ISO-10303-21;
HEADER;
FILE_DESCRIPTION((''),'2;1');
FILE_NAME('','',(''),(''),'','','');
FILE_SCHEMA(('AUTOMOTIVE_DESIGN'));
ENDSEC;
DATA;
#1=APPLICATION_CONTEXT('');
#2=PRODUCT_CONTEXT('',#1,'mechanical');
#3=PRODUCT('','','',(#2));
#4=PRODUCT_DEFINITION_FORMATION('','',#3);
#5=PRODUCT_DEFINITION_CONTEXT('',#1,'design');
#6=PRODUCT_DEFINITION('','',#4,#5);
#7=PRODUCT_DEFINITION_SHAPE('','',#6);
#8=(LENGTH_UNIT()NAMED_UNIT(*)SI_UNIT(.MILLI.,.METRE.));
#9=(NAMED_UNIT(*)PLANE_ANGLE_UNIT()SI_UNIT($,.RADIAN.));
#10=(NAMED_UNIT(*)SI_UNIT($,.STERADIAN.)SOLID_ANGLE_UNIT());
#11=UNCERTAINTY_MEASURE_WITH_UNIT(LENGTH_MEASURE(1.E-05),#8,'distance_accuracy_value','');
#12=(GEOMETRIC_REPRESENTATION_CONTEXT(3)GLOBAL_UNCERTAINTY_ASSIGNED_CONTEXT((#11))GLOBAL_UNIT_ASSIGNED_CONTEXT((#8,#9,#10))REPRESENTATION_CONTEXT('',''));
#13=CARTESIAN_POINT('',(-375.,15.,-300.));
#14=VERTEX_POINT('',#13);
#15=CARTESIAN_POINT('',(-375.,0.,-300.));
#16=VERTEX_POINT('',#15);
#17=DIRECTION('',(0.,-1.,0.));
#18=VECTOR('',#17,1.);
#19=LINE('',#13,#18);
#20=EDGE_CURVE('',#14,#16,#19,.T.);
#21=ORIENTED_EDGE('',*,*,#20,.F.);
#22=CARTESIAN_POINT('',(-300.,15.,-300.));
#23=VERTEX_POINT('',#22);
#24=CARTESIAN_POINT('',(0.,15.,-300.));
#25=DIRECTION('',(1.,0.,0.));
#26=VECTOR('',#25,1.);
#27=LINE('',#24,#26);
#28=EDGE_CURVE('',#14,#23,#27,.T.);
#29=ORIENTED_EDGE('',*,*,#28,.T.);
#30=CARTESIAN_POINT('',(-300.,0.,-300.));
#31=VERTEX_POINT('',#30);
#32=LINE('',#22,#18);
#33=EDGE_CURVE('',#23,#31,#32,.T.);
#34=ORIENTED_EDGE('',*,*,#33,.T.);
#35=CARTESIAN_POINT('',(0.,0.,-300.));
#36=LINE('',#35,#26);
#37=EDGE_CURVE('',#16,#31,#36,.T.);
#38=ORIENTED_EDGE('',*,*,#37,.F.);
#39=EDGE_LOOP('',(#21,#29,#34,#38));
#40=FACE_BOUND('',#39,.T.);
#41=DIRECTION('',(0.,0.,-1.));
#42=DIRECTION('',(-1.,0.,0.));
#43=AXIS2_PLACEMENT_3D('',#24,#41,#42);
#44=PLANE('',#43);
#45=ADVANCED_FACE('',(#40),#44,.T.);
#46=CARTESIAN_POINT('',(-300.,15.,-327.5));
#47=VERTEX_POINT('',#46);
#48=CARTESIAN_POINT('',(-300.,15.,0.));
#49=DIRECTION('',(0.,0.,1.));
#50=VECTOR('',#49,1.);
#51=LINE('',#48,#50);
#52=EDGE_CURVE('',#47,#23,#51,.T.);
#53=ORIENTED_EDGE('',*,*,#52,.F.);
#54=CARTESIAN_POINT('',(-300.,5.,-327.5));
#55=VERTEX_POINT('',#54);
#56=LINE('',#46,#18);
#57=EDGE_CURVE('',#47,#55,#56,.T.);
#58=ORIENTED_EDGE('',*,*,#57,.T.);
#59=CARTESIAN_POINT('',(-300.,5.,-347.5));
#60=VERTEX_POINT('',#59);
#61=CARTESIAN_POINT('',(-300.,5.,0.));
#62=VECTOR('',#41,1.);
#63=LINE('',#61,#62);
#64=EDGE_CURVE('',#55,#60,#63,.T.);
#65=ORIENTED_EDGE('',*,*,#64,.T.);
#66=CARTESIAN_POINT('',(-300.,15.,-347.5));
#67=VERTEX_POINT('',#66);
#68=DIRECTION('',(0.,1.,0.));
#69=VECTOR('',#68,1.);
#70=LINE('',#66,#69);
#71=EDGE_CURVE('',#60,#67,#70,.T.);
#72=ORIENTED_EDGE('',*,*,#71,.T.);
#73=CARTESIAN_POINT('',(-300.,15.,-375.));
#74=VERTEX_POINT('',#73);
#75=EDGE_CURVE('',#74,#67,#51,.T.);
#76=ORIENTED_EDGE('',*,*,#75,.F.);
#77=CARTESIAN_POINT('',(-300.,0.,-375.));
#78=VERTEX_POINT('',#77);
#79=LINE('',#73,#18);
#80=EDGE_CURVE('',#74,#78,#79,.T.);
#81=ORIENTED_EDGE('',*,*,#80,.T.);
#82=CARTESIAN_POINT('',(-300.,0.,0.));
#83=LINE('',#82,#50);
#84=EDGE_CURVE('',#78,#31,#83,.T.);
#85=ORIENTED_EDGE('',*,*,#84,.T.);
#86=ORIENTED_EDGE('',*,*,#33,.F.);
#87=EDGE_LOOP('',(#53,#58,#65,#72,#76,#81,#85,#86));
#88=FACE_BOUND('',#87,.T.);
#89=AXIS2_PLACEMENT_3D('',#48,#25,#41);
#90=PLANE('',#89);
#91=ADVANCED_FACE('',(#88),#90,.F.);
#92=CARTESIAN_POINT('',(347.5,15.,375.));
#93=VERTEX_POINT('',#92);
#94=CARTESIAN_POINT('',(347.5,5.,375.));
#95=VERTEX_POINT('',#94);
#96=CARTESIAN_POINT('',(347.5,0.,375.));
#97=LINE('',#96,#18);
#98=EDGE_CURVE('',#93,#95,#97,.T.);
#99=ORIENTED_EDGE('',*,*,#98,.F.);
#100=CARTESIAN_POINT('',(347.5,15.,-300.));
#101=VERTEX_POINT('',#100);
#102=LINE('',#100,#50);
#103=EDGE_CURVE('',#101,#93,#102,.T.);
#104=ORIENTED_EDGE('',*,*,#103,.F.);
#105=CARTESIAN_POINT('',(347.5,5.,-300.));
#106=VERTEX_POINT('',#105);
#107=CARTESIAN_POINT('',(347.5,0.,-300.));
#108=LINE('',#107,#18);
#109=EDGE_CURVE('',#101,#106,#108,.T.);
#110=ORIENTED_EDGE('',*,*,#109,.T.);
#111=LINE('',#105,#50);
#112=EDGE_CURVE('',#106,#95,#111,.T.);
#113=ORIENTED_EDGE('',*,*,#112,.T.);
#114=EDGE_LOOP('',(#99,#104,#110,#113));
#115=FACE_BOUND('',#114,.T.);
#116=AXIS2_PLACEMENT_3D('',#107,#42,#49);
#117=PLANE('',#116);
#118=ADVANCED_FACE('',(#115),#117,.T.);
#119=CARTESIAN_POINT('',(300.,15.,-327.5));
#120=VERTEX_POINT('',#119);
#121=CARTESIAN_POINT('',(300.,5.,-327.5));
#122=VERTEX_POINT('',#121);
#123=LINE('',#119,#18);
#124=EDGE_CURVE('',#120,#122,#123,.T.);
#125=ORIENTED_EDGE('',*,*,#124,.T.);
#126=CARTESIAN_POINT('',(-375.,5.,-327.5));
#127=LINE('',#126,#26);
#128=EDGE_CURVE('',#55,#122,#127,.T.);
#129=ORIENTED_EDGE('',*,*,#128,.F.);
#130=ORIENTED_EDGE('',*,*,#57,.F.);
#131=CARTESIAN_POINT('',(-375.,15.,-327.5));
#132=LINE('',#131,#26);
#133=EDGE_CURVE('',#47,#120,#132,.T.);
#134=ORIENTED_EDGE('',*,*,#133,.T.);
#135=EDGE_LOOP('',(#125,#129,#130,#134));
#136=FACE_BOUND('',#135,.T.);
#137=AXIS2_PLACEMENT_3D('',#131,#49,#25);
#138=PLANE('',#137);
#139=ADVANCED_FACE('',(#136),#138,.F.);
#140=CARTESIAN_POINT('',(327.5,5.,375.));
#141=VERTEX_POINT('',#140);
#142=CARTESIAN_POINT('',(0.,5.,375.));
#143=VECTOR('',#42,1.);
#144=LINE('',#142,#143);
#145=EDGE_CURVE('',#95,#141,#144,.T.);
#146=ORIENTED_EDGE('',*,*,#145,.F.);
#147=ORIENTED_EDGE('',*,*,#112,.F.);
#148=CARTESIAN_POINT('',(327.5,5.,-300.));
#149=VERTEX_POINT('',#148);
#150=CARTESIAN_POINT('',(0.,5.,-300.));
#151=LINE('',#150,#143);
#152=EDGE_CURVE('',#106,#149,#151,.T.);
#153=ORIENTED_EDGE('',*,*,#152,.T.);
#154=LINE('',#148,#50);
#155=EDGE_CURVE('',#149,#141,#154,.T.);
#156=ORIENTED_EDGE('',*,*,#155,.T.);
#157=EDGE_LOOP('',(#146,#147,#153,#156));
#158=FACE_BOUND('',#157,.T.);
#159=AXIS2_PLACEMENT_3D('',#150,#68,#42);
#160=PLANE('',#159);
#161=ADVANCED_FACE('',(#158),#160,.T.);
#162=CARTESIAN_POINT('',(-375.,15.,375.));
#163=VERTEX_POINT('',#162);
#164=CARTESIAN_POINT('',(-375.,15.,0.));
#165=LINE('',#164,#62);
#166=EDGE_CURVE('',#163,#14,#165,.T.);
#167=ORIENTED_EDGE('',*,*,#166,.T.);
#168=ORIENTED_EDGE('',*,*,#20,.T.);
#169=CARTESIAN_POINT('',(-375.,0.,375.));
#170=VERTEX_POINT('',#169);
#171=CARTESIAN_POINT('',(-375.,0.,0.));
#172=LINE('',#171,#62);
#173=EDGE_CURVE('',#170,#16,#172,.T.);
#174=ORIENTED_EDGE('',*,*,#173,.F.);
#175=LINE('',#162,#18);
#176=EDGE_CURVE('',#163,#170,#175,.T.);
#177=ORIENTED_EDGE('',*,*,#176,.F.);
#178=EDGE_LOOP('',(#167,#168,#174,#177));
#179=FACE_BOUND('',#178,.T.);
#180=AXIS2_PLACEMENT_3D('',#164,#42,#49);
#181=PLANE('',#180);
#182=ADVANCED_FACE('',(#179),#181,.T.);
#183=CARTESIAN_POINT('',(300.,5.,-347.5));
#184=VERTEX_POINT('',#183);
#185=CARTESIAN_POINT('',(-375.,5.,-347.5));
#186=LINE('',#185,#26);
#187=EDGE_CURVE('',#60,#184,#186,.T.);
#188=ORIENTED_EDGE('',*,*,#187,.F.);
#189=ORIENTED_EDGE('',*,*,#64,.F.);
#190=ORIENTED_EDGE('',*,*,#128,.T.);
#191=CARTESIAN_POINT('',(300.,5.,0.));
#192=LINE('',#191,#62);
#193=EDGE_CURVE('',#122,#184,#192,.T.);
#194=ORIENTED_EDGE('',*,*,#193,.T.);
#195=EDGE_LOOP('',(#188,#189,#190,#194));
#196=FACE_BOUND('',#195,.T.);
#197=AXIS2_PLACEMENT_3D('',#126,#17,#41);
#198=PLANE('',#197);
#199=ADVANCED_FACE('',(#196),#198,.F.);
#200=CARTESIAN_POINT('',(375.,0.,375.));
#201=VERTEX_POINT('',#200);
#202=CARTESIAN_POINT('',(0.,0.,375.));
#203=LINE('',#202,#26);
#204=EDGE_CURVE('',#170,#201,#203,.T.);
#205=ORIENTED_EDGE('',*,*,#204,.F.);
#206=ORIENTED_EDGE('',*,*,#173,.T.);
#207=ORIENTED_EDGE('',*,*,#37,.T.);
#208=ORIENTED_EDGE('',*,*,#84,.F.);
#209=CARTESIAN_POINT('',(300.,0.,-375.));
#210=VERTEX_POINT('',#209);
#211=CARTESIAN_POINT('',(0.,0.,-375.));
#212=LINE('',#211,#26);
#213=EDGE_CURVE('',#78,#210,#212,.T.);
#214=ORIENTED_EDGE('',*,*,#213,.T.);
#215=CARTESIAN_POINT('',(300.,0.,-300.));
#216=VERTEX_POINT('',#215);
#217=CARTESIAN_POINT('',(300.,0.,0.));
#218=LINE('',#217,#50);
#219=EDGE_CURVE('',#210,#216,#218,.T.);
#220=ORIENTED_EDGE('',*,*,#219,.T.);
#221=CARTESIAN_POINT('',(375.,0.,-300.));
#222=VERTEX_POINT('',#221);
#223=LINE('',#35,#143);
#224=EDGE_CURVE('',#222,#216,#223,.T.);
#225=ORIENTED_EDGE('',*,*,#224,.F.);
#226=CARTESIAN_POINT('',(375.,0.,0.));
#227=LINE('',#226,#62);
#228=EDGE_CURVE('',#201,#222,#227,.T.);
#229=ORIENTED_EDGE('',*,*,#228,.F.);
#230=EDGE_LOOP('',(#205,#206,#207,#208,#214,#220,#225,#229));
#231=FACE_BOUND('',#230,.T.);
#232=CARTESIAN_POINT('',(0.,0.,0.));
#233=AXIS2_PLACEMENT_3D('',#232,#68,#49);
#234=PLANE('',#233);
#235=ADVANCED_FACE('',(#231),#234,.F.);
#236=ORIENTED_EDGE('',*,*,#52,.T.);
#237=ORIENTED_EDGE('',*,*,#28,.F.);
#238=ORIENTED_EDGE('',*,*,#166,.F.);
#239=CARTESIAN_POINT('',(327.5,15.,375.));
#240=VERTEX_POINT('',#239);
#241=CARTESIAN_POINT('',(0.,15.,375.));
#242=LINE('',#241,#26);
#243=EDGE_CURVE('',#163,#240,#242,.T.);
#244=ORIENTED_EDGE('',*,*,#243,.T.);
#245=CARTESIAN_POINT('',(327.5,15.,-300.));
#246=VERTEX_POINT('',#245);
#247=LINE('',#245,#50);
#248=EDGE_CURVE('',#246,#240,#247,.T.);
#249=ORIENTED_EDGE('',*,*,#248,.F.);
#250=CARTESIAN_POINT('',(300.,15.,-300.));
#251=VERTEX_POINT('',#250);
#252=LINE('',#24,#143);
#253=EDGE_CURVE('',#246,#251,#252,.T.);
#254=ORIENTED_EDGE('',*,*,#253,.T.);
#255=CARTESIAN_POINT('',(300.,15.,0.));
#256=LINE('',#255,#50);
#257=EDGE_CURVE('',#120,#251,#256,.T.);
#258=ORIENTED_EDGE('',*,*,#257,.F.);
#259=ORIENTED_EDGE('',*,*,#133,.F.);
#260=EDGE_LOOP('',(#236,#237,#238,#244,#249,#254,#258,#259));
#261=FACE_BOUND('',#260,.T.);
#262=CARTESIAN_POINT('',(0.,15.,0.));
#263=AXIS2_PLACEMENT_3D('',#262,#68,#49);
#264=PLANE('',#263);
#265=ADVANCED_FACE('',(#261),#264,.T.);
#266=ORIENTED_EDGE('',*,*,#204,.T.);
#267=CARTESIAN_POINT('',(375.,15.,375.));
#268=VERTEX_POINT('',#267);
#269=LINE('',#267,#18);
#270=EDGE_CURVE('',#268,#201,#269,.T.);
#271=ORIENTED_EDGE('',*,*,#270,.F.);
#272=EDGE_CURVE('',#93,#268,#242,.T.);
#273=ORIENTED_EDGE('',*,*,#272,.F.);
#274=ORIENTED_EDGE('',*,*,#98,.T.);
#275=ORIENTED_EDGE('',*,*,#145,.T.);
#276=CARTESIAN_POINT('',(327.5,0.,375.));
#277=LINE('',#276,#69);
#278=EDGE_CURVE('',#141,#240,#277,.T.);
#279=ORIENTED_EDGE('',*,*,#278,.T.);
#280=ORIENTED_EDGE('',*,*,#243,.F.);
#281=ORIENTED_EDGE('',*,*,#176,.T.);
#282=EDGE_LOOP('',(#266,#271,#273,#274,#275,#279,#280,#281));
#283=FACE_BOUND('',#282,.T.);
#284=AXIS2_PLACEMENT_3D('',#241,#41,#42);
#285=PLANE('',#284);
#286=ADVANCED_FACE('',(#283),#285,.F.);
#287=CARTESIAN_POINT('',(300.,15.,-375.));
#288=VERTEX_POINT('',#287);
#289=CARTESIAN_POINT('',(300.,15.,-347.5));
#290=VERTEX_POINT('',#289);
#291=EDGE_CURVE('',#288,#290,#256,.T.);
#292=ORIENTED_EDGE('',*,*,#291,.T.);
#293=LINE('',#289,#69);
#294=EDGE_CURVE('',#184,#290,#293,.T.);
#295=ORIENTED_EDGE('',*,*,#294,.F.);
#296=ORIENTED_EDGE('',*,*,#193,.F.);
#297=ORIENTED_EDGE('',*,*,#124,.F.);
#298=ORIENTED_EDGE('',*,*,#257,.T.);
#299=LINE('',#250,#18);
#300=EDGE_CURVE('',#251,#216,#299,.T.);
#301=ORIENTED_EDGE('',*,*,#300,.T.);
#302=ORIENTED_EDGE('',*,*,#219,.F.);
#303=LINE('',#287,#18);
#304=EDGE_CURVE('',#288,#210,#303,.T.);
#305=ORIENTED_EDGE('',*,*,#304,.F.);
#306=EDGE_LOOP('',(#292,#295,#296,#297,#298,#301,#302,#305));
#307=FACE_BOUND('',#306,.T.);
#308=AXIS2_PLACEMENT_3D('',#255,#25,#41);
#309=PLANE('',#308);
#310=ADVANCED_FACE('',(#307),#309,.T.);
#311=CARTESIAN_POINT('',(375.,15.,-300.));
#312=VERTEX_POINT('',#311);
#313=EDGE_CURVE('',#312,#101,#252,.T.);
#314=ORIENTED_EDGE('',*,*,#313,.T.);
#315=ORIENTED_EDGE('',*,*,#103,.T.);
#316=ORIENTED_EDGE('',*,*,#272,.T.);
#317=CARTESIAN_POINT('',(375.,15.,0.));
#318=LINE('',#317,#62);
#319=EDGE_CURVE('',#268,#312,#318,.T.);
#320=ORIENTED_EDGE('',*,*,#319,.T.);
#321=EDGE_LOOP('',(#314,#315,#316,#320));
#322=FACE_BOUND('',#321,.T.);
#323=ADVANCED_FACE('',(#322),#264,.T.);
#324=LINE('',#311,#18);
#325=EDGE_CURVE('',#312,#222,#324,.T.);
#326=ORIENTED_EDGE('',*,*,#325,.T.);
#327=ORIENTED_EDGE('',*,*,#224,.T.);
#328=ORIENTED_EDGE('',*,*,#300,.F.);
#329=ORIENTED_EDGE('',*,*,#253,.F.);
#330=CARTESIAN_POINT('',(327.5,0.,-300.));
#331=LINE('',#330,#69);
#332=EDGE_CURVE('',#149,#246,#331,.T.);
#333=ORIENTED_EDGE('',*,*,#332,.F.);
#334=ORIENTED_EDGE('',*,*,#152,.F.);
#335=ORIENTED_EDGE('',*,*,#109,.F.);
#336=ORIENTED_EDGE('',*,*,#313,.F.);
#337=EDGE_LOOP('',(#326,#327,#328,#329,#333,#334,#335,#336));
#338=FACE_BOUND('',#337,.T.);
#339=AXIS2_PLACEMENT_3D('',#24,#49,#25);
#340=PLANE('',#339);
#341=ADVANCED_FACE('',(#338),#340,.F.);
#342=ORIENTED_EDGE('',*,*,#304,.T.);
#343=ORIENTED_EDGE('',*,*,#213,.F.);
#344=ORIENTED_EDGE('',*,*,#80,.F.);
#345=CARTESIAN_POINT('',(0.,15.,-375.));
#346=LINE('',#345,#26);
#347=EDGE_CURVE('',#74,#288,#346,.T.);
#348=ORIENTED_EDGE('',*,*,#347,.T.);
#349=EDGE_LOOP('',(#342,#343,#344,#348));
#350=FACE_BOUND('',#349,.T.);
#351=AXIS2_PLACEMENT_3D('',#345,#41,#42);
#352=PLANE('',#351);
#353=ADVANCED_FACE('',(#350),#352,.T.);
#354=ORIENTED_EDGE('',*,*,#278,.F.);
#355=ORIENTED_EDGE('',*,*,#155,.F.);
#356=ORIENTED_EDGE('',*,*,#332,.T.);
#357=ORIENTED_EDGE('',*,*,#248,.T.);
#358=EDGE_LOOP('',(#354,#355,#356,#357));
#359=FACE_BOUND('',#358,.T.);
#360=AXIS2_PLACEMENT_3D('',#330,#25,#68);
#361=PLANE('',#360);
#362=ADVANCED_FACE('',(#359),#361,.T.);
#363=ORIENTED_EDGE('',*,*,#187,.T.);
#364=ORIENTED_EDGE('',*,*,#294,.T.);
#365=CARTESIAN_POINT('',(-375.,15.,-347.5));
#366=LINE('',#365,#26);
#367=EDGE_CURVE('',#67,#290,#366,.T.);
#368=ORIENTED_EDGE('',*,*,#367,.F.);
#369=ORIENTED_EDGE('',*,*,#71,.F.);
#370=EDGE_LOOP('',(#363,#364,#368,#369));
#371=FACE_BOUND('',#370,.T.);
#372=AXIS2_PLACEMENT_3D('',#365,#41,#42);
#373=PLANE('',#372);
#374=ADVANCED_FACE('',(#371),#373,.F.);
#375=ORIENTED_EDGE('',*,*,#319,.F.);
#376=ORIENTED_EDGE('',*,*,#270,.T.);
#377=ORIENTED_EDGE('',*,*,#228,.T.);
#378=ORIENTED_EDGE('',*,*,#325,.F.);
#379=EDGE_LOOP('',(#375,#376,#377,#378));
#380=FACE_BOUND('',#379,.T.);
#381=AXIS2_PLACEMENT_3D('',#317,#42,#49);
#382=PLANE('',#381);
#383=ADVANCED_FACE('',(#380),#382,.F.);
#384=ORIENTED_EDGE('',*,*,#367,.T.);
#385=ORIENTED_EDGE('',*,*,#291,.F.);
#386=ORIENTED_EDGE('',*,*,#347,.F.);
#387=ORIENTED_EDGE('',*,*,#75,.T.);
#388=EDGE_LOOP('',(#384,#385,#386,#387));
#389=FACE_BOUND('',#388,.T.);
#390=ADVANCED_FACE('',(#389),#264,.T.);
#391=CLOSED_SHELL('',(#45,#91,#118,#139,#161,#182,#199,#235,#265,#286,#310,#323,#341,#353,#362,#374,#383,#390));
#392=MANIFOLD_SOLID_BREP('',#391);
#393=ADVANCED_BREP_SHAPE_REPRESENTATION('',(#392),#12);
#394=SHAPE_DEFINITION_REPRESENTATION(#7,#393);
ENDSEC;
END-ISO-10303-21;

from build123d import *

# Parameters (mm, degrees)
BOSS_EXTRUDE1_DEPTH = 15
SKETCH3_W           = 20
SKETCH3_H           = 10
CUT_EXTRUDE1_DEPTH  = 675
SKETCH4_W           = 20
SKETCH4_H           = 10
CUT_EXTRUDE2_DEPTH  = 751


with BuildPart() as part:
    # Sketch2 → Boss-Extrude1 (new body)
    with BuildSketch(Plane(origin=(0, 0, 0), x_dir=(1, 0, 0), z_dir=(0, 1, 0))):
        Polygon((-375, 300), (-375, -375), (375, -375), (375, 300), (300, 300), (300, 375), (-300, 375), (-300, 300), align=None)
    extrude(amount=BOSS_EXTRUDE1_DEPTH)

    # Sketch3 → Cut-Extrude1 (cut)
    with BuildSketch(Plane.XY.offset(375)):
        with Locations((337.5, 10)):
            Rectangle(SKETCH3_W, SKETCH3_H)
    extrude(amount=-CUT_EXTRUDE1_DEPTH, mode=Mode.SUBTRACT)

    # Sketch4 → Cut-Extrude2 (cut, through all)
    with BuildSketch(Plane(origin=(375, 0, 0), x_dir=(0, 0, -1), z_dir=(1, 0, 0))):
        with Locations((337.5, 10)):
            Rectangle(SKETCH4_W, SKETCH4_H)
    extrude(amount=-CUT_EXTRUDE2_DEPTH, mode=Mode.SUBTRACT)


solid = part.part
